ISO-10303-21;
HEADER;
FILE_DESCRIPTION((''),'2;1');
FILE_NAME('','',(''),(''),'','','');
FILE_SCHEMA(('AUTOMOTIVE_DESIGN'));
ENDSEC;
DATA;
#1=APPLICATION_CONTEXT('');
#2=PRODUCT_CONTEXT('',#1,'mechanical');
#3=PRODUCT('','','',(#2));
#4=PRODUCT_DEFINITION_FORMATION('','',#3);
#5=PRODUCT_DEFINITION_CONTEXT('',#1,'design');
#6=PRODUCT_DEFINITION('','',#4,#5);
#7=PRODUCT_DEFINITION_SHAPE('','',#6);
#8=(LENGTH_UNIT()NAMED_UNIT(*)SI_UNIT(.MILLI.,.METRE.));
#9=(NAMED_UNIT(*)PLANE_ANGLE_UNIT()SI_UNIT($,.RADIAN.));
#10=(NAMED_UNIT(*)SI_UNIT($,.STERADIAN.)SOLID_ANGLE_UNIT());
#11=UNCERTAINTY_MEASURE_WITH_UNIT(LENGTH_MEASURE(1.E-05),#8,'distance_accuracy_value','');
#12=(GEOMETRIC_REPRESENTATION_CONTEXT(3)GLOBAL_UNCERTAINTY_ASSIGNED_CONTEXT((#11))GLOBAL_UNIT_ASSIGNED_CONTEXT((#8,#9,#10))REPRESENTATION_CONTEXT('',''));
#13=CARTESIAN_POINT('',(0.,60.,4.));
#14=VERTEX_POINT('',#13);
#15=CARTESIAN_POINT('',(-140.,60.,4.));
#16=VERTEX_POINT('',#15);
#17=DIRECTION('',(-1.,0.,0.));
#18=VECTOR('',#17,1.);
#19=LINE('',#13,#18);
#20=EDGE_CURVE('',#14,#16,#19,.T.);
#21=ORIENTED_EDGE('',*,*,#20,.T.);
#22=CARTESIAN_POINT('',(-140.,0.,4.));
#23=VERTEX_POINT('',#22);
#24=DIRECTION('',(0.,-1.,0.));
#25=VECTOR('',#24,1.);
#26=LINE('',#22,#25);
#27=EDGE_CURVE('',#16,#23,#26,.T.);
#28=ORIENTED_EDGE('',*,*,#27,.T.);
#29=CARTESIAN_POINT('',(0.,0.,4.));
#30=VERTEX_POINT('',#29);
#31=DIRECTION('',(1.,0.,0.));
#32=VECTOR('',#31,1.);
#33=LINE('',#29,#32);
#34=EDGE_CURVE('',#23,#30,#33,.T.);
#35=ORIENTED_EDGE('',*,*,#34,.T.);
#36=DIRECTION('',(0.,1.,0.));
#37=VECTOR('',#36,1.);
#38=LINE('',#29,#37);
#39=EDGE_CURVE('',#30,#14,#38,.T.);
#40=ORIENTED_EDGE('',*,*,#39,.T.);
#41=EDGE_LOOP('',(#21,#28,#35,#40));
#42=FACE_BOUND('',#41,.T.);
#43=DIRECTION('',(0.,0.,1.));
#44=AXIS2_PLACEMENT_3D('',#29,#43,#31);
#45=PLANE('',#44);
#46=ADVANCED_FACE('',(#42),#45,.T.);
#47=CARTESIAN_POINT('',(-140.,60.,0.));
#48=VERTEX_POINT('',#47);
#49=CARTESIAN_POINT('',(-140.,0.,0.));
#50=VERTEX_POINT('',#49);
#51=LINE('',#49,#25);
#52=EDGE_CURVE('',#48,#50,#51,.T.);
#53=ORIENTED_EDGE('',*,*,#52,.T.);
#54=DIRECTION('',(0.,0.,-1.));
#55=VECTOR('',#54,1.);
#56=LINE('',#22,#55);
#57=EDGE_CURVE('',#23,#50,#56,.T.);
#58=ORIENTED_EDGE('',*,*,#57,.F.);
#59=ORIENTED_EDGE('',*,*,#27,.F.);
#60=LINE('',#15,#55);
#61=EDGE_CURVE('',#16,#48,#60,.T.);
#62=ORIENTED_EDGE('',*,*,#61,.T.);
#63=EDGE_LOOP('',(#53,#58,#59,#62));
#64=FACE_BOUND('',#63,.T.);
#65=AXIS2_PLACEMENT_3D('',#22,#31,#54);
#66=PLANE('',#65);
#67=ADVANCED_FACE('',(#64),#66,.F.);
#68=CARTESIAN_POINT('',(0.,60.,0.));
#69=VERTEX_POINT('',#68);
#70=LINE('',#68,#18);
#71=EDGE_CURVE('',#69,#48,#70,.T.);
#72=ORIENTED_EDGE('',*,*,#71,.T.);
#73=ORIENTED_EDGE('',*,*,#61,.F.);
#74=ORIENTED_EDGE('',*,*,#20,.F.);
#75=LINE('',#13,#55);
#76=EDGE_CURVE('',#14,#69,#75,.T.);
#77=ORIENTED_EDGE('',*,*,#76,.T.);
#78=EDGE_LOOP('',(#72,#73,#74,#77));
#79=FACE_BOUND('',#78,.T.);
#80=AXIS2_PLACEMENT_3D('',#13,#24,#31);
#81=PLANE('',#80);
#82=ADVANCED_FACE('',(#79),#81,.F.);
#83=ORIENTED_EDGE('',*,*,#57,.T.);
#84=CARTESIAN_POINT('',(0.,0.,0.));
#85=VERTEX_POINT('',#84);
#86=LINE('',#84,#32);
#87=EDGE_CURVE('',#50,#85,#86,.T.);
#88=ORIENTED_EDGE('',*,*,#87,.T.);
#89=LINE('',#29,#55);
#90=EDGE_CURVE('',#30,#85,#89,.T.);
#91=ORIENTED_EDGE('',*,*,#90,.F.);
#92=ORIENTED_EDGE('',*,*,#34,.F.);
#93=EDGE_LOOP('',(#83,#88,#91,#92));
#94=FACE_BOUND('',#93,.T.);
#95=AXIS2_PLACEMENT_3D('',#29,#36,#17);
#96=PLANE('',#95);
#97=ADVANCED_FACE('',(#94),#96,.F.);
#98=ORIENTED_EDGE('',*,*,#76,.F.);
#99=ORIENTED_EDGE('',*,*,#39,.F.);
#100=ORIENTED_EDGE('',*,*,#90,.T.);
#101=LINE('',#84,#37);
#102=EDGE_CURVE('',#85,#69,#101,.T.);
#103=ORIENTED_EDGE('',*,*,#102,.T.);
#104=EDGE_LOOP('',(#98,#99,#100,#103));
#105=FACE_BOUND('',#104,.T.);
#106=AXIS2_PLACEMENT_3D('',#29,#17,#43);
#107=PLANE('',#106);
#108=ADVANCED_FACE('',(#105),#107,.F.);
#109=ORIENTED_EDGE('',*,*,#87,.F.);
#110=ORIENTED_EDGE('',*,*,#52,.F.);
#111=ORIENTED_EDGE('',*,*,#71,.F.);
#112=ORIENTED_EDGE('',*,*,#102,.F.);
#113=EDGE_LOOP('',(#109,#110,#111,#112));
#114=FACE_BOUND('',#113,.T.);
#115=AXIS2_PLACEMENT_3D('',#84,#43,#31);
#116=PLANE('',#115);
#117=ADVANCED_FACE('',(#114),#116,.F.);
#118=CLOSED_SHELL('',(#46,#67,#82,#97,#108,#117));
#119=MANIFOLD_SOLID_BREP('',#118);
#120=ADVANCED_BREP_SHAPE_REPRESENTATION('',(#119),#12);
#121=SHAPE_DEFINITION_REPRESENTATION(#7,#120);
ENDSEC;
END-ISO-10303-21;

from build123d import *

# Parameters (mm, degrees)
IZIM1_W                     = 140
IZIM1_H                     = 60
Y_KSEKLIK_EKSTR_ZYON1_DEPTH = 4


with BuildPart() as part:
    # Çizim1 → Yükseklik-Ekstrüzyon1 (new body)
    with BuildSketch(Plane.XY):
        with Locations((-70, 30)):
            Rectangle(IZIM1_W, IZIM1_H)
    extrude(amount=Y_KSEKLIK_EKSTR_ZYON1_DEPTH)


solid = part.part
